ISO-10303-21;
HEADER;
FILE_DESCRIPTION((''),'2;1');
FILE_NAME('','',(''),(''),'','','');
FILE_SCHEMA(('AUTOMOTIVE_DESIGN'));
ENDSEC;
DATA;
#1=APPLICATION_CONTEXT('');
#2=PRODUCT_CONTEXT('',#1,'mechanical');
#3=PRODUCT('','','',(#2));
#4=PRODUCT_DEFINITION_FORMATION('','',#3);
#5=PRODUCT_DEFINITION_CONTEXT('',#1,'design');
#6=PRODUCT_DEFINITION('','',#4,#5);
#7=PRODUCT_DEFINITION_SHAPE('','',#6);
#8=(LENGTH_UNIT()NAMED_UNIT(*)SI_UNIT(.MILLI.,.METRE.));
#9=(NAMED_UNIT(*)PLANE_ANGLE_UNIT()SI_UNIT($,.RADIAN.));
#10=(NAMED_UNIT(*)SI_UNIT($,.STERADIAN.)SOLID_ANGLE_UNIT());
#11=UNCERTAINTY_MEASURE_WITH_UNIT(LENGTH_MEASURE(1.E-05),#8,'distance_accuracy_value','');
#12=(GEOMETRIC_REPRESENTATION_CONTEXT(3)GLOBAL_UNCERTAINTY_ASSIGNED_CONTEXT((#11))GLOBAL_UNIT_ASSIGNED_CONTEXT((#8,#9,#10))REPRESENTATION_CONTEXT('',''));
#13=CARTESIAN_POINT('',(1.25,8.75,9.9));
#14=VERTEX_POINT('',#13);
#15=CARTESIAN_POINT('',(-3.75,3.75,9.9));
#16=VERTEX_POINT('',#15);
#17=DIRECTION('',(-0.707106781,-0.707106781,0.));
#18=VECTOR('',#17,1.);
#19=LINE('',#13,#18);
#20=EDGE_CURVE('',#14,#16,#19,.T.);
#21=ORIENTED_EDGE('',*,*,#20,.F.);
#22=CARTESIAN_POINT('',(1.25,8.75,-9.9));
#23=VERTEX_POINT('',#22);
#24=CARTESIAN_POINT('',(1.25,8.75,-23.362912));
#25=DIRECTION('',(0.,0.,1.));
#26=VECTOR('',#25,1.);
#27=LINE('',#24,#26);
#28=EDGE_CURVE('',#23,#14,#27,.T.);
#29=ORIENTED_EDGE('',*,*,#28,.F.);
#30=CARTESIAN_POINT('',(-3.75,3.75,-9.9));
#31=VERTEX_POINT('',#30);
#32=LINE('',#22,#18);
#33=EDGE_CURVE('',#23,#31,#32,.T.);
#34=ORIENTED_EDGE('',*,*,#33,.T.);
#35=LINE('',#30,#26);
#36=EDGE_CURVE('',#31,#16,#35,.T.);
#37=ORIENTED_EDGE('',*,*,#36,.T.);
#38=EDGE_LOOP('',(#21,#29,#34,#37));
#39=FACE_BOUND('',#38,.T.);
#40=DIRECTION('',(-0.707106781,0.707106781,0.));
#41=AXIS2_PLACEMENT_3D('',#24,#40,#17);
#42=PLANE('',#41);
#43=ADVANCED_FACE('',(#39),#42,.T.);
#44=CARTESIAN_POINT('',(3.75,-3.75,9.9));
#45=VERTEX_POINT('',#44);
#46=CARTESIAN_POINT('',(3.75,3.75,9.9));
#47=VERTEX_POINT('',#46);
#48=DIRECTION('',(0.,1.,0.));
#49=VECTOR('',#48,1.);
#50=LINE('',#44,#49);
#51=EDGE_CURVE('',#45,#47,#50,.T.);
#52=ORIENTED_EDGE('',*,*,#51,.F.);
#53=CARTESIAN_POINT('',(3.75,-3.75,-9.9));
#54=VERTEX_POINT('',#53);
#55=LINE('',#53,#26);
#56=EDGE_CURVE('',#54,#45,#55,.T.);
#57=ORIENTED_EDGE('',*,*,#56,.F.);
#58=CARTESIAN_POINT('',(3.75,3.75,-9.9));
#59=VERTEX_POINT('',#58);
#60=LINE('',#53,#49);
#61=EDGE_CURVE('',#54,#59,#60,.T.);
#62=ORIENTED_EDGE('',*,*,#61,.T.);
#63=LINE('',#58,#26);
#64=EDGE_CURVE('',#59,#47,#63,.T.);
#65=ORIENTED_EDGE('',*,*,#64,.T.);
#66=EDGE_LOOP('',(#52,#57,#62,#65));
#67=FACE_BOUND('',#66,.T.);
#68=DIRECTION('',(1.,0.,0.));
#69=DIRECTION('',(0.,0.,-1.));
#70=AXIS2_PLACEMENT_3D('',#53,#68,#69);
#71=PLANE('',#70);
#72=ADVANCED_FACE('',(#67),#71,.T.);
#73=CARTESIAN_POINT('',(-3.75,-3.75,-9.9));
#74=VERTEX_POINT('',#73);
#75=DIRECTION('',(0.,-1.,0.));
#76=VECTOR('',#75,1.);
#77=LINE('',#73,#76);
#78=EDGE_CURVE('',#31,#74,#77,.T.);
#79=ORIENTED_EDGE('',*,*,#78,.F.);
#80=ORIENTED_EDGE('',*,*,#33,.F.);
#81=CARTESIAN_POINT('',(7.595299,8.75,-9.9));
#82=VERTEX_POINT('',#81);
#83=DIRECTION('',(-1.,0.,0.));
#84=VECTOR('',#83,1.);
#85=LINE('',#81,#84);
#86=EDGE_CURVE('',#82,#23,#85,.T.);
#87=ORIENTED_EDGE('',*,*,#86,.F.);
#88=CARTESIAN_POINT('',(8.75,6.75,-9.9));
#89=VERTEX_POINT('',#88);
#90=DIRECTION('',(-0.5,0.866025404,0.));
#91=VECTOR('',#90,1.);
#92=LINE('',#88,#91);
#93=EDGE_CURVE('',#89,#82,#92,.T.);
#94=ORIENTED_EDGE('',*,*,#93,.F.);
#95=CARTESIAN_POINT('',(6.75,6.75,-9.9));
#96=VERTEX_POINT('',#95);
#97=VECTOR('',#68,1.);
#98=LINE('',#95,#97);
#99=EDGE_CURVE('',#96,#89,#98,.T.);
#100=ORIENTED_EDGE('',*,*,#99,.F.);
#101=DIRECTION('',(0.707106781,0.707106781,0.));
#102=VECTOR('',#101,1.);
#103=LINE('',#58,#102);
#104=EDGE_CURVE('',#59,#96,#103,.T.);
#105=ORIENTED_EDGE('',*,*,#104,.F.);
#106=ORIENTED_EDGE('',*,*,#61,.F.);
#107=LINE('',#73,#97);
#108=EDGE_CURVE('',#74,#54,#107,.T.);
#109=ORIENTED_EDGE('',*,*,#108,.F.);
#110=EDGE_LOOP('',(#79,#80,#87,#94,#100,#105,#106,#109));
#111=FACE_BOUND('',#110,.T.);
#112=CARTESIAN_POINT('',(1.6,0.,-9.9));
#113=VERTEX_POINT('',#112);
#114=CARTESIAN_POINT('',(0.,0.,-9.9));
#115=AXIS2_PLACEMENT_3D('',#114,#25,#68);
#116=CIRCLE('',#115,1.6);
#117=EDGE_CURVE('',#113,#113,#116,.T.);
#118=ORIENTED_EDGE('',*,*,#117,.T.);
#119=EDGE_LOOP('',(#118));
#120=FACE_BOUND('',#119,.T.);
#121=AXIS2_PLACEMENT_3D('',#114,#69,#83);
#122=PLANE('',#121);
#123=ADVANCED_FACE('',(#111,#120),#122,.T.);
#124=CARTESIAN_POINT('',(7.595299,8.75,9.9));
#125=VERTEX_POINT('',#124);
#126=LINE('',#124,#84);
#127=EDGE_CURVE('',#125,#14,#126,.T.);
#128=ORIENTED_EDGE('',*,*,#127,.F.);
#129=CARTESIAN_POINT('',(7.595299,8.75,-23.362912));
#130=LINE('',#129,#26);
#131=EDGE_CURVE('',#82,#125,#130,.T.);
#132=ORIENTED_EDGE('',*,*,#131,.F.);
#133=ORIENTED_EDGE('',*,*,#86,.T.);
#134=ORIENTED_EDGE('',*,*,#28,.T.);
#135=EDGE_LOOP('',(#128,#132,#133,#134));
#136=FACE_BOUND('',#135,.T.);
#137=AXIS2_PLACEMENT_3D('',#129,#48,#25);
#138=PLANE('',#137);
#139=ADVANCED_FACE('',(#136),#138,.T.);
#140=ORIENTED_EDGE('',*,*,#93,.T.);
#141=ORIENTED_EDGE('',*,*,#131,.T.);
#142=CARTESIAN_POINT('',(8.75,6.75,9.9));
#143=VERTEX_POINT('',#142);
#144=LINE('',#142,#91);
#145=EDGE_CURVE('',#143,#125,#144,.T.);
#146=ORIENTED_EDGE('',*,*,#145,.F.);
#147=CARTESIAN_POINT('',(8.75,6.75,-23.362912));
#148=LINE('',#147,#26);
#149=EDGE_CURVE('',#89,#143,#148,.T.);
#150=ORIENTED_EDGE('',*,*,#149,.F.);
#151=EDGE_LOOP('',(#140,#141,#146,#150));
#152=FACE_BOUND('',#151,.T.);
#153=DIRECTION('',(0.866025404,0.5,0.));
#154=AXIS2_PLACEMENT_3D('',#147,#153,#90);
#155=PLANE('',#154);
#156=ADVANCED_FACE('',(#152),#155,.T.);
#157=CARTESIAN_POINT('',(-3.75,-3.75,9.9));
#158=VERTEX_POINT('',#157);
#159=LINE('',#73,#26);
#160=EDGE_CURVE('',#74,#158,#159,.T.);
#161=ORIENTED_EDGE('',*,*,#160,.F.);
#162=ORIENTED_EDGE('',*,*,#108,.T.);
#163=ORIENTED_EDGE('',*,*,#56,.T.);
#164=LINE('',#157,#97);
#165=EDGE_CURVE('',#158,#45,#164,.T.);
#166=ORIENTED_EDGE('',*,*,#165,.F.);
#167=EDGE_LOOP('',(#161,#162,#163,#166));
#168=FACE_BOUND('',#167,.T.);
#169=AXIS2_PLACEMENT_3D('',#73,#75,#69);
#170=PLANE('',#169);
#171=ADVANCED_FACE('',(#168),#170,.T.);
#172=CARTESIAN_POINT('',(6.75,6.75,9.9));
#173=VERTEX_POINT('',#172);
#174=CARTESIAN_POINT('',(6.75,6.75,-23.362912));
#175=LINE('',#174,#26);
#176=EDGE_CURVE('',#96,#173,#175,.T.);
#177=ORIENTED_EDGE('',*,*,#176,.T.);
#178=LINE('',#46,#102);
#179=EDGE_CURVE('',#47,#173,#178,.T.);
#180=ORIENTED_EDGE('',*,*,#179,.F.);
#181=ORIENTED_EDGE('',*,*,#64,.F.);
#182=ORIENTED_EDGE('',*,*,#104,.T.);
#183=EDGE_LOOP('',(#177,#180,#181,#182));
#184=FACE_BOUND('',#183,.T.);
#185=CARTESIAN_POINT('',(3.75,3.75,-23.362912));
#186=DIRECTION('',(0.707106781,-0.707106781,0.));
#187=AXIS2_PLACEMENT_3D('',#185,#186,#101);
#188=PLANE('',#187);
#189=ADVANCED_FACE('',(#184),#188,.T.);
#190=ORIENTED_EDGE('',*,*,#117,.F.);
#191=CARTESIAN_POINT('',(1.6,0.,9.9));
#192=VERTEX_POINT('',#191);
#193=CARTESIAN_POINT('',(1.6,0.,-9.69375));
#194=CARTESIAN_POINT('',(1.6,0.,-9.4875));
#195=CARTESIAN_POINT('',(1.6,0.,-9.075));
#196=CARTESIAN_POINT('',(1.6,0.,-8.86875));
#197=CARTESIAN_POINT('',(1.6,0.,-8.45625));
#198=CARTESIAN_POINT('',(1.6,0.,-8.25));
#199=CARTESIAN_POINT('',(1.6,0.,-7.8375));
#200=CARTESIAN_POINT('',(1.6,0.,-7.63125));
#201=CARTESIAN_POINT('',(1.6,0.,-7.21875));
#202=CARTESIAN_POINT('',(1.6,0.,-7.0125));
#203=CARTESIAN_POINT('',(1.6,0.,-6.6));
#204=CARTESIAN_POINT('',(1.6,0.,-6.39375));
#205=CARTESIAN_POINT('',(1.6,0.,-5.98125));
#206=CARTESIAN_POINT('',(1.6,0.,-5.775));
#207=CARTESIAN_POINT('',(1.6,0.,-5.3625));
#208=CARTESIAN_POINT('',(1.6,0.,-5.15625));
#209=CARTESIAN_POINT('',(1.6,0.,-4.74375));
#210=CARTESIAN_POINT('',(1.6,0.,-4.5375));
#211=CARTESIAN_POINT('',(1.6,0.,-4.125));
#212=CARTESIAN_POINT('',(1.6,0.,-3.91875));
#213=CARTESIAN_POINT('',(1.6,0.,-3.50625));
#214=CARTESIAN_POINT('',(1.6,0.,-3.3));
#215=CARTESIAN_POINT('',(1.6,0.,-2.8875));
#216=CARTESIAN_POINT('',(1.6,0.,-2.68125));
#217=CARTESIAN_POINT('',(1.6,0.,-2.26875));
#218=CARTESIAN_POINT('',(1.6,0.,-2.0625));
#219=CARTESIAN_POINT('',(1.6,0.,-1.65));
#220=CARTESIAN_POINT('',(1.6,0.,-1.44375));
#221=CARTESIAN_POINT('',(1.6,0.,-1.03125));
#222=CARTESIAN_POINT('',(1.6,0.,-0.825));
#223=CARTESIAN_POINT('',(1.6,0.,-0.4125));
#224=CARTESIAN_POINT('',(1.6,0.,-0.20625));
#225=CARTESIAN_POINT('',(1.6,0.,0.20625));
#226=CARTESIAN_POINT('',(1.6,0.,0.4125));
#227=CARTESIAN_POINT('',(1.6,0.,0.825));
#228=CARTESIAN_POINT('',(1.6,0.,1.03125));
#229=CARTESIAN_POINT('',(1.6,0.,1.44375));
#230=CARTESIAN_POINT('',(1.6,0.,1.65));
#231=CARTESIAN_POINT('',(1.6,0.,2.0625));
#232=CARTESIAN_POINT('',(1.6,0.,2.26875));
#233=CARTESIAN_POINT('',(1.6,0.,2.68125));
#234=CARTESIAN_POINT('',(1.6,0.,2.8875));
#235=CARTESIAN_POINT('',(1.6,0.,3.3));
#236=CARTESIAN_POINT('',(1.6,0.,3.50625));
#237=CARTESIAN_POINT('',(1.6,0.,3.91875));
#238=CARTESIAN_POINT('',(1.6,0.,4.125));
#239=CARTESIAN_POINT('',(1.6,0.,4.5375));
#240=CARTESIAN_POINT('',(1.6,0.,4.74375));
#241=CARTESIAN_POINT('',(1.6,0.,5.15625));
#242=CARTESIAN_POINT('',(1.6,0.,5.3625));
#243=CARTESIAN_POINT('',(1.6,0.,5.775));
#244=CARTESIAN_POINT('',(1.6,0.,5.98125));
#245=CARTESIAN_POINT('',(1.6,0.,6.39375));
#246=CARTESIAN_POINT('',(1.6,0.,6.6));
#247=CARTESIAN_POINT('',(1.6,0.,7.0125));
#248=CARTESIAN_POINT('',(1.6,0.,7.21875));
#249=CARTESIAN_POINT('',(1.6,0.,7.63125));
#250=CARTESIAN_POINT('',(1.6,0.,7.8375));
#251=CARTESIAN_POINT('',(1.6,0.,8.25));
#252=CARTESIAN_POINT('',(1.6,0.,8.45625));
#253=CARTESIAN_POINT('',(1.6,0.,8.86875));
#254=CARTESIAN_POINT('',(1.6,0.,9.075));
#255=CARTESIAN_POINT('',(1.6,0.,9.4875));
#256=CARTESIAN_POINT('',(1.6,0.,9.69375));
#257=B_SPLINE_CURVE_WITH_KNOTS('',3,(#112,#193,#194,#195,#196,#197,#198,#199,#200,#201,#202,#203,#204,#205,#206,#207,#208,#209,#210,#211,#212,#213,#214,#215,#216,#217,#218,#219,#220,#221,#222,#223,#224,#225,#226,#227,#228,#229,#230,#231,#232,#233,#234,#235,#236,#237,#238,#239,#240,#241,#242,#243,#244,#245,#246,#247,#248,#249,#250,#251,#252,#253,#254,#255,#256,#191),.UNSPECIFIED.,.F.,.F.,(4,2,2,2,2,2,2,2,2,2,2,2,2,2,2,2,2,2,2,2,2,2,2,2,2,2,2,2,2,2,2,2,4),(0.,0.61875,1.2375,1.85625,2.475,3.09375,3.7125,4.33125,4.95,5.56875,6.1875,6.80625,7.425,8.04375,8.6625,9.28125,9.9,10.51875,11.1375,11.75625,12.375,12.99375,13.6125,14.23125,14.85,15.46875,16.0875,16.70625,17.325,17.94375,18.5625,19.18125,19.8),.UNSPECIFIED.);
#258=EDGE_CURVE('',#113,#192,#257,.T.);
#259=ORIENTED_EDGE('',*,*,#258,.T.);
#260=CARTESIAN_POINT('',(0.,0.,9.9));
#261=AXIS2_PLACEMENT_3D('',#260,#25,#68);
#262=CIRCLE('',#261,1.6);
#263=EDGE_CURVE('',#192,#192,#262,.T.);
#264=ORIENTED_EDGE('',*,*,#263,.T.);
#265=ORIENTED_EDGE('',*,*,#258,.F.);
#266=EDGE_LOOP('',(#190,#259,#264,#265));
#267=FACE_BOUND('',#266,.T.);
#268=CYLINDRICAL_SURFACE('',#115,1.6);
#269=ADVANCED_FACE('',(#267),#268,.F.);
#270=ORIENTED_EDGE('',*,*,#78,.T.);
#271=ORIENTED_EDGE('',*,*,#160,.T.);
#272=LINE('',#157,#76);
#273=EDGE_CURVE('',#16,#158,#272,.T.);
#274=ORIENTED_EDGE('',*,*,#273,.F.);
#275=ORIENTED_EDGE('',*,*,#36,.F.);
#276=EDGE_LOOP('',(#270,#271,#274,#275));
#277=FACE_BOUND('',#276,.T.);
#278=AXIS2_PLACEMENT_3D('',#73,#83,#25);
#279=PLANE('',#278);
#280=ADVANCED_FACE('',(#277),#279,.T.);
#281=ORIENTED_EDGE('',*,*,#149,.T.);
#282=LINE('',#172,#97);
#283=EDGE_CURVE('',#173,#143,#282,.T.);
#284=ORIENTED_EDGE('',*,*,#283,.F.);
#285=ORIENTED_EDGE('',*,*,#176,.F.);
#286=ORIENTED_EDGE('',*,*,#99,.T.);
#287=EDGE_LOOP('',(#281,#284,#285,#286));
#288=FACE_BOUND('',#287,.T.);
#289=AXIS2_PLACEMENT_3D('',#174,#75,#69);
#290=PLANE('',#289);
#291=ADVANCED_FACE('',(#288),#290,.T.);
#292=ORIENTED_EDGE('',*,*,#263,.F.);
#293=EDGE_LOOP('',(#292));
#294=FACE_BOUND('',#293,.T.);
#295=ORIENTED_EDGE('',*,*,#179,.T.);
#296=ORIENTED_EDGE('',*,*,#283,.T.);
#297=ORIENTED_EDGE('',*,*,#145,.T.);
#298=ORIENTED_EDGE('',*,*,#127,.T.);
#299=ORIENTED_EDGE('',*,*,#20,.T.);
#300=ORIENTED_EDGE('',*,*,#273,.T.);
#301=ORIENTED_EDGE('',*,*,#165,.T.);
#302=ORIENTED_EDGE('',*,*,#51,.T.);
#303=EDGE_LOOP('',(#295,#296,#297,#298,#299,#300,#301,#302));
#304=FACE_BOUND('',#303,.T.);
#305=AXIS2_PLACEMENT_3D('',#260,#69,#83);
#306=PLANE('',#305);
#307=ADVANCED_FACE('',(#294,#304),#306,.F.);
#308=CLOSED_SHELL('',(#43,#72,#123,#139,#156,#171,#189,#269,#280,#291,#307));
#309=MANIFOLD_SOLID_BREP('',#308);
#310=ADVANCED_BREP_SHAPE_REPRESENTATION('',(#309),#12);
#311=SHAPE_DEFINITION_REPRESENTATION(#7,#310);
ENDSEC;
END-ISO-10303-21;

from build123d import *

# Parameters (mm, degrees)
BOSS_EXTRUDE1_DEPTH      = 9.9
BOSS_EXTRUDE1_DEPTH_BACK = 9.9
SKETCH1_W                = 7.5
SKETCH1_H                = 7.5
SKETCH1_R                = 1.6
BOSS_EXTRUDE2_DEPTH      = 19.8


with BuildPart() as part:
    # Sketch1 → Boss-Extrude1 (new, two sides: drawn at the far end of the back side and taken through both)
    with BuildSketch(Plane.XY.offset(-BOSS_EXTRUDE1_DEPTH_BACK)):
        Rectangle(SKETCH1_W, SKETCH1_H)
        Circle(SKETCH1_R, mode=Mode.SUBTRACT)
    extrude(amount=BOSS_EXTRUDE1_DEPTH + BOSS_EXTRUDE1_DEPTH_BACK)

    # Sketch2 → Boss-Extrude2 (add)
    with BuildSketch(Plane.XY.offset(9.9)):
        Polygon((3.75, 3.75), (6.75, 6.75), (8.75, 6.75), (7.595299462, 8.75), (1.25, 8.75), (-3.75, 3.75), align=None)
    extrude(amount=-BOSS_EXTRUDE2_DEPTH)


solid = part.part
